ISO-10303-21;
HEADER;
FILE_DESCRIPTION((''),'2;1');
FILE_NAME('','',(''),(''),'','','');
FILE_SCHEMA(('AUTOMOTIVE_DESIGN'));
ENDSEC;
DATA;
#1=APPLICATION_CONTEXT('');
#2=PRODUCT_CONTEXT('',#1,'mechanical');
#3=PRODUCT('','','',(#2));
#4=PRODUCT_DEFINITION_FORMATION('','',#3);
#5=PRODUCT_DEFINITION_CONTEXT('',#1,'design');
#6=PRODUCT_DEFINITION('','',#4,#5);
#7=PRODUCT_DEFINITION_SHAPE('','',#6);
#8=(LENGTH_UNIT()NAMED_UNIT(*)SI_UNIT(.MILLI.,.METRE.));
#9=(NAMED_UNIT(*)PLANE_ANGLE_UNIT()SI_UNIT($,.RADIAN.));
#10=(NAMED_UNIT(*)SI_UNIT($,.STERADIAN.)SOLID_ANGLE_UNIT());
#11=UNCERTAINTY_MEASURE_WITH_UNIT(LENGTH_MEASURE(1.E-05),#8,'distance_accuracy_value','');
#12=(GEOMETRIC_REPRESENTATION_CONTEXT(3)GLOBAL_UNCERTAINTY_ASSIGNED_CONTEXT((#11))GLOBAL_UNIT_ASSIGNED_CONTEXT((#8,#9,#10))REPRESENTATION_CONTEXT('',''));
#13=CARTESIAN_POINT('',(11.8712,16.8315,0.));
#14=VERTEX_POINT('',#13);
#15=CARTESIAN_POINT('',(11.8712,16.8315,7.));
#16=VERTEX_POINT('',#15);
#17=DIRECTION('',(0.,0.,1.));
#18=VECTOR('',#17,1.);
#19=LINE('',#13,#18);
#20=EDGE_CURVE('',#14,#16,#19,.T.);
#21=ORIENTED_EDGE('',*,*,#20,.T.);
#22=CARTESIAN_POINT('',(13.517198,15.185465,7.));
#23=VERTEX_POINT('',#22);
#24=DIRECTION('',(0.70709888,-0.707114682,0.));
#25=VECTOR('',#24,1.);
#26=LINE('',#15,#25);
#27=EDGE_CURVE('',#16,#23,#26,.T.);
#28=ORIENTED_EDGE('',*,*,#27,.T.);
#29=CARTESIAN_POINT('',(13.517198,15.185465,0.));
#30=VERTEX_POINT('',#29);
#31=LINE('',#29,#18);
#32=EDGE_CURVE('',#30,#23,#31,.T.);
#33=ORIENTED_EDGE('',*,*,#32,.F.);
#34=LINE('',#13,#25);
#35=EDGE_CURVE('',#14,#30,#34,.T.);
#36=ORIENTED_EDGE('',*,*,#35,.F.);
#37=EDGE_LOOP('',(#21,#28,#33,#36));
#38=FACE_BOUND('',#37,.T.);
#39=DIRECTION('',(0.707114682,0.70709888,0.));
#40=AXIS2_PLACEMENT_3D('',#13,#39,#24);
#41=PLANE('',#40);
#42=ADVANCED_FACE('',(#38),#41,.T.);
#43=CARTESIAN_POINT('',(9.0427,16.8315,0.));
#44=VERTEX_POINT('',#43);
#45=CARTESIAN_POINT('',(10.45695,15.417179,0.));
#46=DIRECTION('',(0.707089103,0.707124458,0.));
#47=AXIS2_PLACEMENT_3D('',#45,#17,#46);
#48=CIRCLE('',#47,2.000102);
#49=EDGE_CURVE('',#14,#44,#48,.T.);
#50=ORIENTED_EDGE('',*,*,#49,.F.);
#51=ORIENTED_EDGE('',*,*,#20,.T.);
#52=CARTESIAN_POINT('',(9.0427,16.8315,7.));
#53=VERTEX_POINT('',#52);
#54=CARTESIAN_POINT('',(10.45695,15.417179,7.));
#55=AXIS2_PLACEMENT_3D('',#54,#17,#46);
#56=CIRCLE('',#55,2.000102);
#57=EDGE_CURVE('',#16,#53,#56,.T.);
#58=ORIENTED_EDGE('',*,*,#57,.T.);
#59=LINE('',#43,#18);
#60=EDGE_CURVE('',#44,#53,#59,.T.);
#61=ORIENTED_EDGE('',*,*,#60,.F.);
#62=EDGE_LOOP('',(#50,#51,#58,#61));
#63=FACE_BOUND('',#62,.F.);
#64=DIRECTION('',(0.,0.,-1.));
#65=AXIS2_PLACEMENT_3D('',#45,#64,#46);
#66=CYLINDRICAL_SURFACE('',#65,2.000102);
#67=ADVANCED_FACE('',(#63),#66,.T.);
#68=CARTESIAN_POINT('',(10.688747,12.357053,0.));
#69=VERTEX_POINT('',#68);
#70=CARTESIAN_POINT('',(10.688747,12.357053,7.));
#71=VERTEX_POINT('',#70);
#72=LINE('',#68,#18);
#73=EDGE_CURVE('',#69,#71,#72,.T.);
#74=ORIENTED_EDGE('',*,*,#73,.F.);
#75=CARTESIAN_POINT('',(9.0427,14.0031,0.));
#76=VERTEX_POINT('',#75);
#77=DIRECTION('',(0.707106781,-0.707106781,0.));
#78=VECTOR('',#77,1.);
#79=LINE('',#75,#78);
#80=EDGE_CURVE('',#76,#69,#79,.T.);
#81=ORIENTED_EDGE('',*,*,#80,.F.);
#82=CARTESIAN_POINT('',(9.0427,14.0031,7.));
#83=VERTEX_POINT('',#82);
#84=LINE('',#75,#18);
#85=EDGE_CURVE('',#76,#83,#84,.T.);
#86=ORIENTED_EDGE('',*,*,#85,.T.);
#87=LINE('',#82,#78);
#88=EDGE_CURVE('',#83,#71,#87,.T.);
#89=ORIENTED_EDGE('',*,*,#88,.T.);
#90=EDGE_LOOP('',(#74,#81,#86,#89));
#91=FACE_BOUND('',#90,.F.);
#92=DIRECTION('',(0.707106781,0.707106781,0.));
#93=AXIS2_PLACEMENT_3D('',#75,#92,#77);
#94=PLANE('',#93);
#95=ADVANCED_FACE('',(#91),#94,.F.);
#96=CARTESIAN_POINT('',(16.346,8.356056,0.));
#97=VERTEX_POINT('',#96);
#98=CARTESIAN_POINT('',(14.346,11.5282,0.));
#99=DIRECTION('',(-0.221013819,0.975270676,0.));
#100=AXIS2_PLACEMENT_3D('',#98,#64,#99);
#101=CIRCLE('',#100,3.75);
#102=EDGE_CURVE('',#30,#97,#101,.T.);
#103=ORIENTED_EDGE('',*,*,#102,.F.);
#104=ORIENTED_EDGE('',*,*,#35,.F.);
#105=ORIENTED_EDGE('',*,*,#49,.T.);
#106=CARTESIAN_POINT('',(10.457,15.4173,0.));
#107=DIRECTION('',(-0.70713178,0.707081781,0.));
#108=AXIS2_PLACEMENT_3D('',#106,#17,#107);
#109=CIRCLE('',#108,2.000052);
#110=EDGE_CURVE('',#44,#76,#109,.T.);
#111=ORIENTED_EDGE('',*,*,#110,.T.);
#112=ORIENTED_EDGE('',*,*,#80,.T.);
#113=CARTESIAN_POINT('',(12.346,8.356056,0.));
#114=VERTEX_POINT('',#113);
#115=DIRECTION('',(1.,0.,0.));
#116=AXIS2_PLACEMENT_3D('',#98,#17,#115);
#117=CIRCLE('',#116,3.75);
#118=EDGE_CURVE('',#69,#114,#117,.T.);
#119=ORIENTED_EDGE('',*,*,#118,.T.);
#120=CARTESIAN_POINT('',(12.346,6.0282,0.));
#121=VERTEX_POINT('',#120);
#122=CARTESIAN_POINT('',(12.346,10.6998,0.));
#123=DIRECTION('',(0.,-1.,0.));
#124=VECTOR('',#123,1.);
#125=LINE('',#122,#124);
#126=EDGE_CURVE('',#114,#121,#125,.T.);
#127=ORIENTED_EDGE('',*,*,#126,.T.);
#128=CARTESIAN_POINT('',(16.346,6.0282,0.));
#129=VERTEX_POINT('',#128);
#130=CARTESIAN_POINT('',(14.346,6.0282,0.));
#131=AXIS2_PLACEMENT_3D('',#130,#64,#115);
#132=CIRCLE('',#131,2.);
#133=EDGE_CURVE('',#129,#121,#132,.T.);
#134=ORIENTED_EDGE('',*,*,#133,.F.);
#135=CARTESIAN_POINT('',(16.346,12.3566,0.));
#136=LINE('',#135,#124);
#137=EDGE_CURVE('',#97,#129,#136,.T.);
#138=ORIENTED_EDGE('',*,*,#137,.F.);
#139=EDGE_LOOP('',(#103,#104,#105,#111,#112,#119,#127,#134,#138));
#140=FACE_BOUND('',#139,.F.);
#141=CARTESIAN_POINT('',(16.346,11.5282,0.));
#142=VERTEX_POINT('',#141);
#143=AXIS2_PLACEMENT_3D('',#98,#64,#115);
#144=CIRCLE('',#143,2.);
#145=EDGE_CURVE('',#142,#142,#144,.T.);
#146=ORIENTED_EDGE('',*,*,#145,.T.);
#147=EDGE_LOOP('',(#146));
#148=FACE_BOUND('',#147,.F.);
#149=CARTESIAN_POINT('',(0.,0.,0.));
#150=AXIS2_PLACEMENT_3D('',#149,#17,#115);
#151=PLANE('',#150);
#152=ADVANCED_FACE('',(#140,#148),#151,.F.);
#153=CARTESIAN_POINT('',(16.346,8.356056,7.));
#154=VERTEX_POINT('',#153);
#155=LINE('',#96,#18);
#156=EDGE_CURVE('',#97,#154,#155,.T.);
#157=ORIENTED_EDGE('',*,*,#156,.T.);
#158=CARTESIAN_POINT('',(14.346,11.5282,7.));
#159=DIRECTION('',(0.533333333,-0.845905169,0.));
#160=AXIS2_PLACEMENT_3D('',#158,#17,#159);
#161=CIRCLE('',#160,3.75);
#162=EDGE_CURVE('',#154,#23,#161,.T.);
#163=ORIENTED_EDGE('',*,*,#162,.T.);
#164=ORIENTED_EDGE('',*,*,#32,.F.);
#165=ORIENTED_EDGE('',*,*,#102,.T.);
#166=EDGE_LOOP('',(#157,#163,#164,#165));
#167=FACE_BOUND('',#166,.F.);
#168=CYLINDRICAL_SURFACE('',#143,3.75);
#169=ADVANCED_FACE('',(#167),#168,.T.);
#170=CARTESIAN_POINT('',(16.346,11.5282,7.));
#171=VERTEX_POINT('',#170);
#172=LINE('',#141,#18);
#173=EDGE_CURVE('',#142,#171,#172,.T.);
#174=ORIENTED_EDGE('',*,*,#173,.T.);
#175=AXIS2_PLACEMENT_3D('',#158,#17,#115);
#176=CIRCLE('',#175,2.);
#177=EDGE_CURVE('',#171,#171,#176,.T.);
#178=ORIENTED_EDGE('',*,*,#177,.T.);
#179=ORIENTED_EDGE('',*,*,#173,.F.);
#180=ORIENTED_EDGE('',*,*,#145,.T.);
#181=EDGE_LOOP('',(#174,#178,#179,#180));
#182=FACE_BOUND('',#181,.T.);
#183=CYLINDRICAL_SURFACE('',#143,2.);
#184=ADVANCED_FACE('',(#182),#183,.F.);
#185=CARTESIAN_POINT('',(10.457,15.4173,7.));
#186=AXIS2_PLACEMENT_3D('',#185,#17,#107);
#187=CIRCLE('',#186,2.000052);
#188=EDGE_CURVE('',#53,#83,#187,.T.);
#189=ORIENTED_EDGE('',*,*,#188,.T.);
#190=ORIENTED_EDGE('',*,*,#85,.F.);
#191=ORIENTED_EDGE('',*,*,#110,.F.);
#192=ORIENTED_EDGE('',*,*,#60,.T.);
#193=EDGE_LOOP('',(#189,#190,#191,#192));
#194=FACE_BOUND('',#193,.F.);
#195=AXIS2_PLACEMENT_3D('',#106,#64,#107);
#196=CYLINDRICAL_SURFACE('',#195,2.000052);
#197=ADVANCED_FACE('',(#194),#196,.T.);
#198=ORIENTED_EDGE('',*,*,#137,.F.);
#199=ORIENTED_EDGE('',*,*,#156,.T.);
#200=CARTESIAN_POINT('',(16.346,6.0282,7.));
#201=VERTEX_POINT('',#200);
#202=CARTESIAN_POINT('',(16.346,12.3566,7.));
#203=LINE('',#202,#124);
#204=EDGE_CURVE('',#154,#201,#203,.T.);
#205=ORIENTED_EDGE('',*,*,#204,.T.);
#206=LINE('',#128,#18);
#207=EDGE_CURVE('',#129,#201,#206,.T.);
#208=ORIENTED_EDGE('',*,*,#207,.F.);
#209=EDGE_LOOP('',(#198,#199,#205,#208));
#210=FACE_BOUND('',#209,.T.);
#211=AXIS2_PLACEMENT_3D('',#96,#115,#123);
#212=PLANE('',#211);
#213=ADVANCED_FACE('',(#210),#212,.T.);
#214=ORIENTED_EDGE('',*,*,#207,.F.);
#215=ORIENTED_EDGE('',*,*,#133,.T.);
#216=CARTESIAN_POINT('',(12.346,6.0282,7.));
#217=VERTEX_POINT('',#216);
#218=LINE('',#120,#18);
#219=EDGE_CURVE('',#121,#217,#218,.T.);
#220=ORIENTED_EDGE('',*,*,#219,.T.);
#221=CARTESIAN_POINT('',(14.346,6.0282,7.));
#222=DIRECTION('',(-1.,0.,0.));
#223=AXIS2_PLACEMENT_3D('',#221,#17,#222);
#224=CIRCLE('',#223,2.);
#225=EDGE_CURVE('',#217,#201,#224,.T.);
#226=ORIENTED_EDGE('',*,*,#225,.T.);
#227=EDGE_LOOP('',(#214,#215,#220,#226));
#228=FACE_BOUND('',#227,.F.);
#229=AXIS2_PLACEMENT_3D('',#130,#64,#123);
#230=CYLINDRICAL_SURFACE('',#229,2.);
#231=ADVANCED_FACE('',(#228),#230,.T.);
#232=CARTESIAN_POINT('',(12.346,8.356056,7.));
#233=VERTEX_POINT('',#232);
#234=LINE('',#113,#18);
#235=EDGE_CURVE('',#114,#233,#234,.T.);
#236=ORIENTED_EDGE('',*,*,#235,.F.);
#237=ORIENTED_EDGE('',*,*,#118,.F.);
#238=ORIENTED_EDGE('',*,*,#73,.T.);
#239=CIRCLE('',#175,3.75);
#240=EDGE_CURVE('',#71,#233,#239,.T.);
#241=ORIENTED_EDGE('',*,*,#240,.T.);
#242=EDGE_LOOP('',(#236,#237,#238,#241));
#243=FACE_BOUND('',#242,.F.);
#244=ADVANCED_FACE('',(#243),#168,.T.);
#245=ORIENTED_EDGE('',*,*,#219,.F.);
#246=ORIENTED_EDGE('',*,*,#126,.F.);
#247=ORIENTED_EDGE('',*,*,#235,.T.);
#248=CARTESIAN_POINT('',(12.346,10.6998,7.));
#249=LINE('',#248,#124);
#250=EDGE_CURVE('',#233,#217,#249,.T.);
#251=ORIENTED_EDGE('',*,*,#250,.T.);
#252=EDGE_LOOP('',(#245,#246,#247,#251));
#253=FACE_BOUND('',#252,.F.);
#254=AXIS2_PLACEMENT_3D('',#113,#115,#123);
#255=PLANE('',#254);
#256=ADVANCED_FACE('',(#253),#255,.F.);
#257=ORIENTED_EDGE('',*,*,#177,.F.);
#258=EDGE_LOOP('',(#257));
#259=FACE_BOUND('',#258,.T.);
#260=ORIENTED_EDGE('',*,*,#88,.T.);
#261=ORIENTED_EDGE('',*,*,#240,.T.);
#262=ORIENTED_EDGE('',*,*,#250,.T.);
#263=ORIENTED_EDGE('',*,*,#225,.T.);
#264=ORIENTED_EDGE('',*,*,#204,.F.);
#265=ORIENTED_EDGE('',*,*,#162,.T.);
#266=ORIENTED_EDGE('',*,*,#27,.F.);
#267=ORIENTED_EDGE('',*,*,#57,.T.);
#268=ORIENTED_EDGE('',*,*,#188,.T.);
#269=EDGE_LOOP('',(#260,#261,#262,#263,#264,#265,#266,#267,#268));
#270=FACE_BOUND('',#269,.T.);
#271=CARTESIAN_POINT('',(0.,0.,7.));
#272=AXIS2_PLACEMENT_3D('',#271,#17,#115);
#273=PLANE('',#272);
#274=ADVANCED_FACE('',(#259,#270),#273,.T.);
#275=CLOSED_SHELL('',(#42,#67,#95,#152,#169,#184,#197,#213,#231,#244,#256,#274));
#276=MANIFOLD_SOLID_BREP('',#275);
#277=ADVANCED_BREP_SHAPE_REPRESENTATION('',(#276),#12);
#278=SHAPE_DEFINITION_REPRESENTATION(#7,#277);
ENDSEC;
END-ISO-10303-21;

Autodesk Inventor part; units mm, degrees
ref_plane "YZ Plane" through (0, 0, 0) normal (1, 0, 0) x (0, 1, 0)
ref_plane "XZ Plane" through (0, 0, 0) normal (0, 1, 0) x (-1, 0, 0)
ref_plane "XY Plane" through (0, 0, 0) normal (0, 0, 1) x (1, 0, 0)
sketch "Sketch1" plane through (0, 0, 0) normal (0, 0, 1) x (1, 0, 0)
  line L0 (-19.6493, 54.0192) -> (-19.6493, 51.5192) projected
  line L1 (-19.6493, 51.5192) -> (-17.1493, 50.3535) projected
  line L2 (-17.1493, 50.3535) -> (-17.1493, 47.8535) projected
  line L3 (-17.1493, 47.8535) -> (-19.6493, 46.6877) projected
  line L4 (-19.6493, 46.6877) -> (-19.6493, 44.1877) projected
  line L5 (-19.6493, 44.1877) -> (-17.1493, 43.0219) projected
  line L6 (-17.1493, 43.0219) -> (-17.1493, 40.5219) projected
  line L7 (-17.1493, 40.5219) -> (-19.6493, 39.3562) projected
  line L8 (-19.6493, 39.3562) -> (-19.6493, 36.8562) projected
  line L9 (-19.6493, 36.8562) -> (-17.1493, 35.6904) projected
  line L10 (-17.1493, 35.6904) -> (-17.1493, 33.1904) projected
  line L11 (-17.1493, 33.1904) -> (-19.6493, 32.0246) projected
  line L12 (-19.6493, 32.0246) -> (-19.6493, 29.5246) projected
  line L13 (-19.6493, 29.5246) -> (-17.1493, 28.3588) projected
  line L14 (-17.1493, 28.3588) -> (-17.1493, 27.685) projected
  arc A0 (-17.1493, 27.685) -> (-16.1428, 26.9802) centre (-16.3993, 27.685) ccw projected
  line L15 (-16.1428, 26.9802) -> (-10.6172, 28.9914) projected
  line L16 (-10.6172, 28.9914) -> (10.596, 7.7782) projected
  line L17 (10.596, 7.7782) -> (10.596, -7.2218) projected
  line L18 (10.596, -7.2218) -> (-10.6172, -28.435) projected
  line L19 (-10.6172, -28.435) -> (-10.6172, -58.435) projected
  line L20 (-10.6172, -58.435) -> (-0.6172, -58.435) projected
  line L21 (-0.6172, -58.435) -> (-0.6172, -33.435) projected
  line L22 (-0.6172, -33.435) -> (18.096, -14.7218) projected
  arc A1 (18.096, -14.7218) -> (19.6493, -10.9718) centre (14.346, -10.9718) ccw projected
  line L23 (19.6493, -10.9718) -> (19.6493, 11.5282) projected
  arc A2 (19.6493, 11.5282) -> (18.096, 15.2782) centre (14.346, 11.5282) ccw projected
  line L24 (18.096, 15.2782) -> (-10.6172, 43.9914) projected
  line L25 (-10.6172, 43.9914) -> (-15.6946, 57.9415) projected
  arc A3 (-15.6946, 57.9415) -> (-17.1493, 57.685) centre (-16.3993, 57.685) ccw projected
  line L26 (-17.1493, 57.685) -> (-17.1493, 55.185) projected
  line L27 (-17.1493, 55.185) -> (-19.6493, 54.0192) projected
  circle A4 centre (-5.6172, -50.935) radius 2 projected
  circle A5 centre (-5.6172, -35.935) radius 2 projected
  circle A6 centre (14.346, 11.5282) radius 2 projected
  circle A7 centre (14.346, -10.9718) radius 2 projected
  circle A8 centre (-10.6172, 36.4914) radius 2 projected
  circle A9 centre (14.346, 11.5282) radius 3.75
  line L28 (14.346, 11.5282) -> (14.346, 4.0282)
  line L29 (14.346, 11.5282) -> (9.0427, 16.8315)
  line L30 (14.346, 11.5282) -> (21.846, 11.5282) construction
  line L31 (11.8712, 16.8315) -> (16.346, 12.3566)
  line L32 (16.346, 12.3566) -> (16.346, 6.0282)
  line L33 (9.0427, 14.0031) -> (12.346, 10.6998)
  line L34 (12.346, 10.6998) -> (12.346, 6.0282)
  line L35 (14.346, 4.0282) -> (14.346, 4.0282)
  line L36 (9.0427, 16.8315) -> (9.0427, 16.8315)
  arc A10 (11.8712, 16.8315) -> (9.0427, 16.8315) centre (10.457, 15.4173) ccw
  arc A11 (9.0427, 16.8315) -> (9.0427, 14.0031) centre (10.457, 15.4173) ccw
  arc A12 (12.346, 6.0282) -> (14.346, 4.0282) centre (14.346, 6.0282) ccw
  arc A13 (14.346, 4.0282) -> (16.346, 6.0282) centre (14.346, 6.0282) ccw
  point P0 (0, 0)
  point P1 (15.7603, 12.9424)
  point P2 (16.346, 11.5282)
  point P3 (13.5172, 15.1855)
  point P4 (10.6888, 12.357)
  point P5 (12.346, 8.3561)
  point P6 (16.346, 8.3561)
  dimension "d0" = 7.5
  dimension "d2" = 7.5
  dimension "d3" = 135
  dimension "d4" = 2
  dimension "d5" = 2
  dimension "d6" = 7.5
  dimension "d7" = 2
extrude "Extrusion1" add sketch "Sketch1" along normal blind 7 contours L32 A9 L28 A6 | A6 L31 L32 | L32 L31 A9 | A6 L29 A9 L31 | L28 A9 L34 L33 L29 A6 | L32 A13 L28 A9 | A9 L29 A10 L31 | L28 A12 L34 A9 | A9 L33 A11 L29 | A9 L33 L34
properties part number "claw_joined_spacer"
